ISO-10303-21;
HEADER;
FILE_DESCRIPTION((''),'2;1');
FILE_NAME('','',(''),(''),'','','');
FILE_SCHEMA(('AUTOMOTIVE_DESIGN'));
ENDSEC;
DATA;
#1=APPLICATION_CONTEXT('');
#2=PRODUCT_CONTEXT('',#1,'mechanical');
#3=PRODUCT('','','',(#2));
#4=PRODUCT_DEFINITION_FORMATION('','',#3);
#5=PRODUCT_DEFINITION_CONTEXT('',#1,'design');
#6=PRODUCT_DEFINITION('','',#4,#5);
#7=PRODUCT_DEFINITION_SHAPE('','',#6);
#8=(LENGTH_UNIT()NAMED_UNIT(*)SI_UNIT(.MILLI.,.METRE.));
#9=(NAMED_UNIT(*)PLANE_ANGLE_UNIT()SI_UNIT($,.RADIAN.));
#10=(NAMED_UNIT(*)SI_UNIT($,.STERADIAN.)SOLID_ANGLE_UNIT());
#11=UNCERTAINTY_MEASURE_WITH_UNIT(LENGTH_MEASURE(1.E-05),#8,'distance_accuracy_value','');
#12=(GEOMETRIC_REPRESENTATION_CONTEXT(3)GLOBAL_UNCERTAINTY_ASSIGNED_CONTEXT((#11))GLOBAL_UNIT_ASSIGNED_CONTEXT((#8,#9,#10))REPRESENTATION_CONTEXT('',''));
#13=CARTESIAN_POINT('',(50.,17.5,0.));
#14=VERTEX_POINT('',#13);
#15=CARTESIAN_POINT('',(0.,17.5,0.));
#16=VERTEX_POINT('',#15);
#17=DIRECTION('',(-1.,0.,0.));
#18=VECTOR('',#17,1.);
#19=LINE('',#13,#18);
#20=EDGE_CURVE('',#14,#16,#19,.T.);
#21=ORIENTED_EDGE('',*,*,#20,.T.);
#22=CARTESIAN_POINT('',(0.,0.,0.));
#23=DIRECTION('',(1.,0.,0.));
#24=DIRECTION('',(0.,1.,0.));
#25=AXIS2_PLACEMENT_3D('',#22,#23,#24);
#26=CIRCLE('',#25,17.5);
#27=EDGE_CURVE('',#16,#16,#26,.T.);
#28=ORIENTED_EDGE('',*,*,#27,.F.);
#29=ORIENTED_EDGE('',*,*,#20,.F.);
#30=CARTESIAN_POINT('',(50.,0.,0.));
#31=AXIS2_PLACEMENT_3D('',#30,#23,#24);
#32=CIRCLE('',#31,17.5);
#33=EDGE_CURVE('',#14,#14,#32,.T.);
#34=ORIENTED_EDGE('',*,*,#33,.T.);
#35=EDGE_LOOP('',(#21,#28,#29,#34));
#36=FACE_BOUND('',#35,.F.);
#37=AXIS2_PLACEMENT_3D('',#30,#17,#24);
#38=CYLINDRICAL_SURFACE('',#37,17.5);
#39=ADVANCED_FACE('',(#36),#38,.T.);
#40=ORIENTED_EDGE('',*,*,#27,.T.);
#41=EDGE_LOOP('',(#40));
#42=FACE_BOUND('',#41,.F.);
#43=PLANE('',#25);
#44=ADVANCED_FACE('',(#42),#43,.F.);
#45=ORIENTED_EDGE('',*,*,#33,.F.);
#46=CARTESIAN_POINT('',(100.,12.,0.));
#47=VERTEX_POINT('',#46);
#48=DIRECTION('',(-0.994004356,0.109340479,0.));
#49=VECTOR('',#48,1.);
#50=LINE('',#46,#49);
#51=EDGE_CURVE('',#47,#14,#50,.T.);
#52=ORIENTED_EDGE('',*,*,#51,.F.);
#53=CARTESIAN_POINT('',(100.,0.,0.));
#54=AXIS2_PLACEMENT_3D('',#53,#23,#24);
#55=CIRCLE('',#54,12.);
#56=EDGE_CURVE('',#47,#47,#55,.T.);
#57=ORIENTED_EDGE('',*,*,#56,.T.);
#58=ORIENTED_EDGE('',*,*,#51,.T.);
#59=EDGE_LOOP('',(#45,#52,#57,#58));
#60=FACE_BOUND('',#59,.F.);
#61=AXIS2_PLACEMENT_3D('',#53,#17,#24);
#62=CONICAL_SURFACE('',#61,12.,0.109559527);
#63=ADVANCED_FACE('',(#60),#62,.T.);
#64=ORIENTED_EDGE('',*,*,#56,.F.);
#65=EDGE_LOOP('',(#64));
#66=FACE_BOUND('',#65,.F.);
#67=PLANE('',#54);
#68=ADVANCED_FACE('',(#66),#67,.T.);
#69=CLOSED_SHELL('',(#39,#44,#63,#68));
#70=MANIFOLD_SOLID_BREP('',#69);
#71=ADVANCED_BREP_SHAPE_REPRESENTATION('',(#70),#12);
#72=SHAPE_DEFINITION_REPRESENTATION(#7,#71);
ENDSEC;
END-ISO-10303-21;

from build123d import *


with BuildPart() as f1:
    # F0 (on Top) → F1 (revolve)
    with BuildSketch(Plane.XY):
        Polygon((0, 17.5), (0, 0), (50, 0), (100, 0), (100, 12), (50, 17.5), align=None)
    revolve(axis=Axis((50, 0, 0), (1, 0, 0)))


solid = f1.part
